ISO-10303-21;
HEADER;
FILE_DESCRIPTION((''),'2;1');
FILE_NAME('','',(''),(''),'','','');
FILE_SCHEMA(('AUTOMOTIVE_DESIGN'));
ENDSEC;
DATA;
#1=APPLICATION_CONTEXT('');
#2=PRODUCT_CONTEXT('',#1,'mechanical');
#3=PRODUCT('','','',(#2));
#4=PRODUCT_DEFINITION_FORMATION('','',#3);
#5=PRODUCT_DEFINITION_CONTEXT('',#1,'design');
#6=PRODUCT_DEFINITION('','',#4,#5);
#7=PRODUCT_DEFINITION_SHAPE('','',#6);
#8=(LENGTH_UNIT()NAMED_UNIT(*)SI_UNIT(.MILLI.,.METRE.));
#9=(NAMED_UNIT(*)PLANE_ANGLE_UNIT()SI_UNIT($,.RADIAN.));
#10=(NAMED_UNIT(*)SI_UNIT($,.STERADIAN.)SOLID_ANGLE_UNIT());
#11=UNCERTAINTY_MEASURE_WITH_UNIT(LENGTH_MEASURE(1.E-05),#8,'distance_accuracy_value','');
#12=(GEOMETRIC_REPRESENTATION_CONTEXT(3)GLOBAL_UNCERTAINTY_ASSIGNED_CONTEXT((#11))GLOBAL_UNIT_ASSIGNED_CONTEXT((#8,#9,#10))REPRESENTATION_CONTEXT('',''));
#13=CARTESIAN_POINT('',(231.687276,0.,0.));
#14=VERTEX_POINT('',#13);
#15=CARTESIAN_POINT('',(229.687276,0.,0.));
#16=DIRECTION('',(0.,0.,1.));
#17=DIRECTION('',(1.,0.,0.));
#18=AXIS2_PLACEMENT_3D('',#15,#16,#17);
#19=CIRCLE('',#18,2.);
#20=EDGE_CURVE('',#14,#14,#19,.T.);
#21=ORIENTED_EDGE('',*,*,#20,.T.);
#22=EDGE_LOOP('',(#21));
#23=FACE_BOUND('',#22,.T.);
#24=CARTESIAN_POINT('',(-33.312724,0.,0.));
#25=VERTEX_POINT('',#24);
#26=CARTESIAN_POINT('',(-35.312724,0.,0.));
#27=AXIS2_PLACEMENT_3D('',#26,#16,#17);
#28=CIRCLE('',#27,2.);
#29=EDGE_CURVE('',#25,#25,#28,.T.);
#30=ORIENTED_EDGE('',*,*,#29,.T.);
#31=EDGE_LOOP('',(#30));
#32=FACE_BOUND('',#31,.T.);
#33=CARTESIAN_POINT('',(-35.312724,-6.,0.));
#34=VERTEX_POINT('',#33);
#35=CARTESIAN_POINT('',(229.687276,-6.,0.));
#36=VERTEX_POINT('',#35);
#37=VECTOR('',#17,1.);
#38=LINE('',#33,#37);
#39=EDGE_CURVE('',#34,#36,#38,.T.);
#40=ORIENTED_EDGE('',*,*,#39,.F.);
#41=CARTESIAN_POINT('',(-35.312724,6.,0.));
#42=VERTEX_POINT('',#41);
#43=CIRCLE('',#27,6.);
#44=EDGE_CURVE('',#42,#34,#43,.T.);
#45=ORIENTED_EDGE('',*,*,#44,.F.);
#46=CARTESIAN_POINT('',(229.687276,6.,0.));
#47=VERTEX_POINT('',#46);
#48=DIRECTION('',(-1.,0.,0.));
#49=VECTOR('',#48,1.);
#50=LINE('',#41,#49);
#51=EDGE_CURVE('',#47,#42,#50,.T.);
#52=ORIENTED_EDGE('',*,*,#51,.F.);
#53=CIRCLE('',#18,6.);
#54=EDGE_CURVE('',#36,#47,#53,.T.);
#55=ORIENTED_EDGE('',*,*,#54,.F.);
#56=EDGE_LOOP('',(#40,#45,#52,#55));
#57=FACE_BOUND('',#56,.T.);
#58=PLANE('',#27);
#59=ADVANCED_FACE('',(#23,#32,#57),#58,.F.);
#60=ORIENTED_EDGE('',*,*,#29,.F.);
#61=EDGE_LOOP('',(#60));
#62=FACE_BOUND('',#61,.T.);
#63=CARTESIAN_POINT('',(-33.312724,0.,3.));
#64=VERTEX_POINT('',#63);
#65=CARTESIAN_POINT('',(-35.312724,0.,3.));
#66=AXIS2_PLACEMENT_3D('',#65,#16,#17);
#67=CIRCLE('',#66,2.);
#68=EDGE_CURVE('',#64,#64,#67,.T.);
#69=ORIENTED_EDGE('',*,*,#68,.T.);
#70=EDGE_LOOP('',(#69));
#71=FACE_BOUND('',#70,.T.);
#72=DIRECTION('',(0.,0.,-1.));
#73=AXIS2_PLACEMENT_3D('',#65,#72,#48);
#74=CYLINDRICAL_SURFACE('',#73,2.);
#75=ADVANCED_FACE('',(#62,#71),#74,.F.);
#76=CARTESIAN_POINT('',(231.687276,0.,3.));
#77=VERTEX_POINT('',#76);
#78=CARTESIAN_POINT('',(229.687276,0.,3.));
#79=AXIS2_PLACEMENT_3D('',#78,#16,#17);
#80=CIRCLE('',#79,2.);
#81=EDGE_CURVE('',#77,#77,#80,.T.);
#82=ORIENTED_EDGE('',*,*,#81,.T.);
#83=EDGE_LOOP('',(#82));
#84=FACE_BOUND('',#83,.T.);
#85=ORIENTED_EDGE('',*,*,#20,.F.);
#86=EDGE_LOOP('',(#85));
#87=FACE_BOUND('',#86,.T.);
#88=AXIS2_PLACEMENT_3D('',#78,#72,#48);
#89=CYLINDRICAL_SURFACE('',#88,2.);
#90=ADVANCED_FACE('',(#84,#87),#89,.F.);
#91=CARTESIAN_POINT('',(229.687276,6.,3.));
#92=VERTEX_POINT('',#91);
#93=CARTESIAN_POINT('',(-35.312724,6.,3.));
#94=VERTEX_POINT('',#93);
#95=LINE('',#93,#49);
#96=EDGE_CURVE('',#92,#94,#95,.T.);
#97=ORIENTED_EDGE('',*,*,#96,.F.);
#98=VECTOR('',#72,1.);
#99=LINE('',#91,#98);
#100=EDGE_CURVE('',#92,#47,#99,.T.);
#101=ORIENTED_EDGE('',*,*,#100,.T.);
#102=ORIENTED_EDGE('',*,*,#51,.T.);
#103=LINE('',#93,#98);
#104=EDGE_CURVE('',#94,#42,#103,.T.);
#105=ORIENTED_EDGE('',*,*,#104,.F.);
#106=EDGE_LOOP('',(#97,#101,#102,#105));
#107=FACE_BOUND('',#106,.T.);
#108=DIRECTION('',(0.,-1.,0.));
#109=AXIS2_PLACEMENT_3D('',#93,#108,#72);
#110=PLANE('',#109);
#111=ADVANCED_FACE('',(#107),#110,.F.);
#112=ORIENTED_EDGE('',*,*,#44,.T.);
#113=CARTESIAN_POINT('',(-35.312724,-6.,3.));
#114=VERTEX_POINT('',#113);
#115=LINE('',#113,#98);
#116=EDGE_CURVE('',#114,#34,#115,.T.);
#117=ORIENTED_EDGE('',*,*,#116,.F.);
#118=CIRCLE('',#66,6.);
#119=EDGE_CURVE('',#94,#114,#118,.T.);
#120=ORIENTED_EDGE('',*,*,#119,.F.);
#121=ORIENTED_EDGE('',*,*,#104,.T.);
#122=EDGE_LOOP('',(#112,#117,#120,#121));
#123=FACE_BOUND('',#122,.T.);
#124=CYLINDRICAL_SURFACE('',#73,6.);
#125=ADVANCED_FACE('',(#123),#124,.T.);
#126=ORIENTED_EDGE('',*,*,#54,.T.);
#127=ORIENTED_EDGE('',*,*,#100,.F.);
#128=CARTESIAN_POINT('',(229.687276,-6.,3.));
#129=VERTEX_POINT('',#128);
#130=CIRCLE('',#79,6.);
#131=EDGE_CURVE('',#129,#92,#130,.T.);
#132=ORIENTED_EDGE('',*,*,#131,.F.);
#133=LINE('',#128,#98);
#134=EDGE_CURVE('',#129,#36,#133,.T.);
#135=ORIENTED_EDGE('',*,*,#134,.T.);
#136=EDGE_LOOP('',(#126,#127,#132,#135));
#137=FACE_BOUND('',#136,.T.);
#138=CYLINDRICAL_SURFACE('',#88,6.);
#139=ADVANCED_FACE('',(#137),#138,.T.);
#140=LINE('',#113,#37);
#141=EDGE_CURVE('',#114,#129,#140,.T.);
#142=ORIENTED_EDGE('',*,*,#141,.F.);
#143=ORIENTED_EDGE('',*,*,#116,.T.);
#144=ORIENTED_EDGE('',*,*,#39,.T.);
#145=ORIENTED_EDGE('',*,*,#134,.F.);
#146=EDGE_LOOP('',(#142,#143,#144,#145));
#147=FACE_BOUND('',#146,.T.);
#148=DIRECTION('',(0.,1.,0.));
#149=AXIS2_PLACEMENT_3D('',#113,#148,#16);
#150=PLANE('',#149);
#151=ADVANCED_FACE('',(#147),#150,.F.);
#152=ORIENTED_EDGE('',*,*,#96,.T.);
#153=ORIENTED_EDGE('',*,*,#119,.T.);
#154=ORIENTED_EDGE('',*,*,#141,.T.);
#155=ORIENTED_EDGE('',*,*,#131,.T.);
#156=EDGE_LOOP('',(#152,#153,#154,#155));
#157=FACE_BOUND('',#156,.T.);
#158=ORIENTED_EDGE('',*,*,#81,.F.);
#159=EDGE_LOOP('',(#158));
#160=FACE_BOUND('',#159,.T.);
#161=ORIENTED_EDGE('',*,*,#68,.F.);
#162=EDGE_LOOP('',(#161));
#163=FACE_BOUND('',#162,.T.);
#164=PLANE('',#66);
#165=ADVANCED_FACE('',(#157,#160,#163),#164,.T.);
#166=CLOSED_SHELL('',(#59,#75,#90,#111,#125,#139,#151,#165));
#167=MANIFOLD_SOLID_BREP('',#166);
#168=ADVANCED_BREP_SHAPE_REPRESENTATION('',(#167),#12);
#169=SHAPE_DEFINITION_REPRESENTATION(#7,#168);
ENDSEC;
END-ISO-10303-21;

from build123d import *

# Parameters (mm, degrees)
SKETCH1_R           = 2
BOSS_EXTRUDE3_DEPTH = 3


with BuildPart() as part:
    # Sketch1 → Boss-Extrude3 (new body)
    with BuildSketch(Plane.XY):
        with BuildLine():
            Line((-35.312724167, 6), (229.687275833, 6))
            ThreePointArc((229.687275833, 6), (235.687275833, 0), (229.687275833, -6))
            Line((229.687275833, -6), (-35.312724167, -6))
            ThreePointArc((-35.312724167, -6), (-41.312724167, 0), (-35.312724167, 6))
        make_face()
        with Locations((-35.312724167, 0)):
            Circle(SKETCH1_R, mode=Mode.SUBTRACT)
        with Locations((229.687275833, 0)):
            Circle(SKETCH1_R, mode=Mode.SUBTRACT)
    extrude(amount=BOSS_EXTRUDE3_DEPTH)


solid = part.part
